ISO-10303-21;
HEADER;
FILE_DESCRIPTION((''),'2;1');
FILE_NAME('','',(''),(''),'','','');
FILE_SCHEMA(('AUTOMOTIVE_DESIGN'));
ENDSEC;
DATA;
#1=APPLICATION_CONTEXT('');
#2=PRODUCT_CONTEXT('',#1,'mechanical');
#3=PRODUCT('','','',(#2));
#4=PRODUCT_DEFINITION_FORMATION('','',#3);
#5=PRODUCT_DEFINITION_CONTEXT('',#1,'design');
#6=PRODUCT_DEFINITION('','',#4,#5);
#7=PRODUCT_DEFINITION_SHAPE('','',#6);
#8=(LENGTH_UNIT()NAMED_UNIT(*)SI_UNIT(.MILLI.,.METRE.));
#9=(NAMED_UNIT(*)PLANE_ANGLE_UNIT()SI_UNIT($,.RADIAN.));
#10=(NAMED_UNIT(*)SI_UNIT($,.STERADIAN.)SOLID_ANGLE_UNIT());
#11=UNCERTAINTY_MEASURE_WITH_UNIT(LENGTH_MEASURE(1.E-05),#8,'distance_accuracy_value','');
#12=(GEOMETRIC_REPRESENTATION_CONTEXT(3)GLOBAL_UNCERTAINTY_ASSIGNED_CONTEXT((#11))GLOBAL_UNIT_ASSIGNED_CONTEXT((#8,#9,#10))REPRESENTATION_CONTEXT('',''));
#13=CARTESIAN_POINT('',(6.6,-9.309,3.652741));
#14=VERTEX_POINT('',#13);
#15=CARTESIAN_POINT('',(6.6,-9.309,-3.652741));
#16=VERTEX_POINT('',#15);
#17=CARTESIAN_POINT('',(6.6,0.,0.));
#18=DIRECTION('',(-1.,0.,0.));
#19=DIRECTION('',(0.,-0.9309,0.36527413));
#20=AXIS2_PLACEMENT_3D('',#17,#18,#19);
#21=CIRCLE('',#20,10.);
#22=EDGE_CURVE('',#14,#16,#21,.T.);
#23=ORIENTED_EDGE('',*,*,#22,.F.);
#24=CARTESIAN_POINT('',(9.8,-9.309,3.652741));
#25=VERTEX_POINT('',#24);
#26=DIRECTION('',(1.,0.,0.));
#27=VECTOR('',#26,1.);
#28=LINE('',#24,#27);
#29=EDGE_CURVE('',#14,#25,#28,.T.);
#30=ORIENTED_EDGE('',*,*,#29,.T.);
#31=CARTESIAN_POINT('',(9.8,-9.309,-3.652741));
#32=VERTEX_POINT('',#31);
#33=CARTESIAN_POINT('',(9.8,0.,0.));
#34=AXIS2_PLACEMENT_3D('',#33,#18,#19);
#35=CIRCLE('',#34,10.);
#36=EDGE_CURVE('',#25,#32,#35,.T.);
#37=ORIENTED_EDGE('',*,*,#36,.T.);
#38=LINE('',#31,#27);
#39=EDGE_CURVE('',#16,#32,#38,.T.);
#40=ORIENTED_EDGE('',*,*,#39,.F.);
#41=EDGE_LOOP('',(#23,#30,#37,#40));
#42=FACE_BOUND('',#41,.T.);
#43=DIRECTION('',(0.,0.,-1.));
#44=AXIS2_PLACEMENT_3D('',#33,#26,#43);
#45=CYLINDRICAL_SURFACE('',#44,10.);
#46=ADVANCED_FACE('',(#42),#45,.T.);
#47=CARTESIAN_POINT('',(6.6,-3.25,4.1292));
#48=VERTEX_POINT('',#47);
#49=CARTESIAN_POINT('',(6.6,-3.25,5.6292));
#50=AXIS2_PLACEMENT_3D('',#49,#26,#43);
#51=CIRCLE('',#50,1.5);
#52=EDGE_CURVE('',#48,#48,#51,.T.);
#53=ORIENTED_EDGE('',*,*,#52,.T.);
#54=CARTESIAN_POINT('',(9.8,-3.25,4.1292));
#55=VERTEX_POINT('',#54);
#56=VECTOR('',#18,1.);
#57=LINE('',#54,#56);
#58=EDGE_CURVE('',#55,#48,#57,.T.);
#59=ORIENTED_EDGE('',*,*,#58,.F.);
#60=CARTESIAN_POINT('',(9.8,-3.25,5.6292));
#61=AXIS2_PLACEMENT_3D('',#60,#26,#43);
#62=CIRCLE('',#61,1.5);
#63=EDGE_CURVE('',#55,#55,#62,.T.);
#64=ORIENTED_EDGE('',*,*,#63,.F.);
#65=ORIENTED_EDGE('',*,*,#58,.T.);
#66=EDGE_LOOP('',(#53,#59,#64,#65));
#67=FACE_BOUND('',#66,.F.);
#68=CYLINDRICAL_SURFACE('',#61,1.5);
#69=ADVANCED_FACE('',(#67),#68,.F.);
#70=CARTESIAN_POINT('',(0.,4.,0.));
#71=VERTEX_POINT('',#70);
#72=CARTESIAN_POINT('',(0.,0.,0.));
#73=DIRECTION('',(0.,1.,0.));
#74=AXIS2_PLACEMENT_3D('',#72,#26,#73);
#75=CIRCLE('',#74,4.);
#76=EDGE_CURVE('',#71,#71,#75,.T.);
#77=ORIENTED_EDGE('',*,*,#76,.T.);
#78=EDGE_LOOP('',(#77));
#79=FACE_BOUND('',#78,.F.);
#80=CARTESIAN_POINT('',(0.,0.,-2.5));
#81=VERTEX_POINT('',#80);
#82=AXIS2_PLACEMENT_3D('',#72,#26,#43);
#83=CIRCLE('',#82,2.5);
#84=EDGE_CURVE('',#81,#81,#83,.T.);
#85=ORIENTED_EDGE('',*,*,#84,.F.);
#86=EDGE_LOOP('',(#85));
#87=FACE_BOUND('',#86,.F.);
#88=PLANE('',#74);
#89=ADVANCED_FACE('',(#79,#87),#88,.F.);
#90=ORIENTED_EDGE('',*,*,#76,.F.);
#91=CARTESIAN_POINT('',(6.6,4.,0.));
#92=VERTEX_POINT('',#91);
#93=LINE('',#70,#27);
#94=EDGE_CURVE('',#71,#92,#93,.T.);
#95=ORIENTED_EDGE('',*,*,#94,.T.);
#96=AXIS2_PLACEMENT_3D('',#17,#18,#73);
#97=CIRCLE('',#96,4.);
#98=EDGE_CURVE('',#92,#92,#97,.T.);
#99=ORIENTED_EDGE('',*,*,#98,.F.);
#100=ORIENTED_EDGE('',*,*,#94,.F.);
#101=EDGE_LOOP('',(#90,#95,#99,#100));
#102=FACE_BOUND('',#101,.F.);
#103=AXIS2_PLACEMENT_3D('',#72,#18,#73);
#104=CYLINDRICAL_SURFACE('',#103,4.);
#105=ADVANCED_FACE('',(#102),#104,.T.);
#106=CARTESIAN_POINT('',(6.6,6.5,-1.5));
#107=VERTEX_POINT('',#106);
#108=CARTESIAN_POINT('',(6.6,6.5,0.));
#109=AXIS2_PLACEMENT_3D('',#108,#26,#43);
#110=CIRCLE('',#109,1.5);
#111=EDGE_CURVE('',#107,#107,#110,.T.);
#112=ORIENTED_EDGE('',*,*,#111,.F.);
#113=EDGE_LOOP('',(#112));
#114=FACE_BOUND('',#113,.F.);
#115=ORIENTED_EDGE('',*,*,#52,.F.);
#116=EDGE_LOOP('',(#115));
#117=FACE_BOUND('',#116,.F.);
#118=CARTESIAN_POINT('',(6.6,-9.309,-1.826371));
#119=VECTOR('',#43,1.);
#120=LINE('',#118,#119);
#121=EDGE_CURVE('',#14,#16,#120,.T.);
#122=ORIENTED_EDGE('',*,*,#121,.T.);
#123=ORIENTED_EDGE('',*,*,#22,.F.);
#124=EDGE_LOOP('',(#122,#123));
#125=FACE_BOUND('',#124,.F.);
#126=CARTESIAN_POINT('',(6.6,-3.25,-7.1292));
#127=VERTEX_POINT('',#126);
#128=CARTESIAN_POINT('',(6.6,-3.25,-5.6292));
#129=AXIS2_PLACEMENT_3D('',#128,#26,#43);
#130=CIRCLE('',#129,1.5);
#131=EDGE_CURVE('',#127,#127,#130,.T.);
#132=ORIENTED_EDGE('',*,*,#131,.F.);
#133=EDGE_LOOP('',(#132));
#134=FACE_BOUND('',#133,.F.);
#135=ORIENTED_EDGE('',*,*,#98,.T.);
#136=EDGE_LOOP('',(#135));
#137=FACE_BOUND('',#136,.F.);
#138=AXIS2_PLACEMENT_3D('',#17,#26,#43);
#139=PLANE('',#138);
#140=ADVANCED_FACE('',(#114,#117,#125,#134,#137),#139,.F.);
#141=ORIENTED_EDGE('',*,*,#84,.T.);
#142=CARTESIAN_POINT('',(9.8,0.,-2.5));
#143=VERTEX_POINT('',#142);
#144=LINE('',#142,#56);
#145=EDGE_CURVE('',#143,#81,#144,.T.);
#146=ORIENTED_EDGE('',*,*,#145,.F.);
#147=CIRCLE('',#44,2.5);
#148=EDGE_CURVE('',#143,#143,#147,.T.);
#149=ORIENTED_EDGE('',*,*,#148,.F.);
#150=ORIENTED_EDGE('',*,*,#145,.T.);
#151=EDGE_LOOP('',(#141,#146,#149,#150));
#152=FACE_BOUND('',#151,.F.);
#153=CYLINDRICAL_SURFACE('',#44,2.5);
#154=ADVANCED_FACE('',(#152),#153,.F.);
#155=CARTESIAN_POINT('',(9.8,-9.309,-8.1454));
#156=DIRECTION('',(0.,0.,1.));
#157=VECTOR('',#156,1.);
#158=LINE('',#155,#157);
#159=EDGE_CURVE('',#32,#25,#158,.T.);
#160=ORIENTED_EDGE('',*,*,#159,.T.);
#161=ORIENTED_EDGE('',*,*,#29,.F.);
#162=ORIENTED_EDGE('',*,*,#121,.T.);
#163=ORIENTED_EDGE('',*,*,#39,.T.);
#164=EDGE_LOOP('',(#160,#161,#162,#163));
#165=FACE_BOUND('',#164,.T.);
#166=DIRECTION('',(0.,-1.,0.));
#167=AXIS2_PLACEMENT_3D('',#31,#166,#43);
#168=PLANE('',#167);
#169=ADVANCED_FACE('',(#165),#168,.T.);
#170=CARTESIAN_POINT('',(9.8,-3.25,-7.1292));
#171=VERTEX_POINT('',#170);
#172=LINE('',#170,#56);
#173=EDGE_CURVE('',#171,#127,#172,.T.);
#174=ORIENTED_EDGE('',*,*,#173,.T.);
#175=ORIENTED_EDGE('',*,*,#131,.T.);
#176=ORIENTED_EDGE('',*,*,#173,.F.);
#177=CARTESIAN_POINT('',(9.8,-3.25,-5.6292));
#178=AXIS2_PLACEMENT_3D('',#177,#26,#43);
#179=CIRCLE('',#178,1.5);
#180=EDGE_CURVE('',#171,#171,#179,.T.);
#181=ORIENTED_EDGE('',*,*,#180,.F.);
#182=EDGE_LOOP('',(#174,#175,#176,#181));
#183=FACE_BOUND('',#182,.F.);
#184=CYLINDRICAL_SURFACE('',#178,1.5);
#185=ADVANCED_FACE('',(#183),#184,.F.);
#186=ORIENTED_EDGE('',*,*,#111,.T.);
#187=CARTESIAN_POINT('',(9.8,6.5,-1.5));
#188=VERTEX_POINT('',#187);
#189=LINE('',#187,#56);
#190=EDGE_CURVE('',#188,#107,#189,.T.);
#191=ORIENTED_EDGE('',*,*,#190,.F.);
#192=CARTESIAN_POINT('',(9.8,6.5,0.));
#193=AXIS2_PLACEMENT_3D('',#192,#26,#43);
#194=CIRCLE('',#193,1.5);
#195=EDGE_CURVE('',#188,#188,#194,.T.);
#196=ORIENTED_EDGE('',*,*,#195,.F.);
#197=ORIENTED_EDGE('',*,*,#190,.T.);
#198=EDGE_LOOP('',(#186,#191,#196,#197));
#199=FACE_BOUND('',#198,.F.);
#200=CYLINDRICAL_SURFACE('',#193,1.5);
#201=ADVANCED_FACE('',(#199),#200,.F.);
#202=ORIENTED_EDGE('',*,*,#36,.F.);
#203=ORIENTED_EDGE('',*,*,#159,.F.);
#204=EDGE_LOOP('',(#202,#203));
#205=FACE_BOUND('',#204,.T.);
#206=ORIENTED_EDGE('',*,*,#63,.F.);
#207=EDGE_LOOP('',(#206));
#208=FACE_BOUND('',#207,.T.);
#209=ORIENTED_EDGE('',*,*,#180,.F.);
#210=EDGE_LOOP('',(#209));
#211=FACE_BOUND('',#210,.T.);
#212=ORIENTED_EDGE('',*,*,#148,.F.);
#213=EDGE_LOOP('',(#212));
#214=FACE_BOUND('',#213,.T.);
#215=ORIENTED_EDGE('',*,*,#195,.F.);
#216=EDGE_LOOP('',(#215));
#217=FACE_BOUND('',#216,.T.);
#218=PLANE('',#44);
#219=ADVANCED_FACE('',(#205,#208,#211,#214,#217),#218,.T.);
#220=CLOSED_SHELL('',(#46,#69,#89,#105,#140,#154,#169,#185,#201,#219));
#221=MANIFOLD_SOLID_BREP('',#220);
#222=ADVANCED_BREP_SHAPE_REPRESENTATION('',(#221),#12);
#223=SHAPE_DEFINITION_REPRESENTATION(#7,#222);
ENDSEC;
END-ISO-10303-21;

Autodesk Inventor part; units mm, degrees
ref_plane "YZ Plane" through (0, 0, 0) normal (1, 0, 0) x (0, 1, 0)
ref_plane "XZ Plane" through (0, 0, 0) normal (0, 1, 0) x (-1, 0, 0)
ref_plane "XY Plane" through (0, 0, 0) normal (0, 0, 1) x (1, 0, 0)
sketch "Sketch1" plane through (0, 0, 0) normal (1, 0, 0) x (0, 1, 0)
  circle A0 centre (0, 0) radius 4
  dimension "d0" = 8
extrude "Extrusion1" add sketch "Sketch1" along normal blind 9.8
sketch "Sketch2" plane through (9.8, 0, 0) normal (1, 0, 0) x (0, 0, -1)
  circle A0 centre (0, 0) radius 10
  circle A1 centre (0, 0) radius 6.5 construction
  circle A2 centre (0, 6.5) radius 1.5
  circle A3 centre (-5.6292, -3.25) radius 1.5
  circle A4 centre (5.6292, -3.25) radius 1.5
  dimension "d4" = 13
  dimension "d3" = 20
  dimension "d5" = 3
  dimension "d8" = 360
extrude "Extrusion2" add sketch "Sketch2" against normal blind 3.2
sketch "Sketch3" plane through (9.8, 0, 0) normal (1, 0, 0) x (0, 0, -1)
  circle A0 centre (0, 0) radius 2.5
  dimension "d12" = 5
extrude "Extrusion3" cut sketch "Sketch3" against normal through all
sketch "Sketch4" plane through (9.8, 0, 0) normal (1, 0, 0) x (0, 0, -1)
  line L0 (8.1454, -10.691) -> (-8.1454, -10.691)
  line L1 (-8.1454, -10.691) -> (-8.1454, -9.309)
  line L2 (-8.1454, -9.309) -> (8.1454, -9.309)
  line L3 (8.1454, -9.309) -> (8.1454, -10.691)
  circle A0 centre (0, 0) radius 10 projected
  line L4 (8.1454, -10.691) -> (-8.1454, -9.309) construction
  line L5 (-8.1454, -10.691) -> (8.1454, -9.309) construction
  point P0 (0, -10)
extrude "Extrusion4" cut sketch "Sketch4" against normal through all contours L0 L1 L2 A0 L3 | A0 L2 picked at (-0.4144, -9.5135)
properties part number "Nut"
